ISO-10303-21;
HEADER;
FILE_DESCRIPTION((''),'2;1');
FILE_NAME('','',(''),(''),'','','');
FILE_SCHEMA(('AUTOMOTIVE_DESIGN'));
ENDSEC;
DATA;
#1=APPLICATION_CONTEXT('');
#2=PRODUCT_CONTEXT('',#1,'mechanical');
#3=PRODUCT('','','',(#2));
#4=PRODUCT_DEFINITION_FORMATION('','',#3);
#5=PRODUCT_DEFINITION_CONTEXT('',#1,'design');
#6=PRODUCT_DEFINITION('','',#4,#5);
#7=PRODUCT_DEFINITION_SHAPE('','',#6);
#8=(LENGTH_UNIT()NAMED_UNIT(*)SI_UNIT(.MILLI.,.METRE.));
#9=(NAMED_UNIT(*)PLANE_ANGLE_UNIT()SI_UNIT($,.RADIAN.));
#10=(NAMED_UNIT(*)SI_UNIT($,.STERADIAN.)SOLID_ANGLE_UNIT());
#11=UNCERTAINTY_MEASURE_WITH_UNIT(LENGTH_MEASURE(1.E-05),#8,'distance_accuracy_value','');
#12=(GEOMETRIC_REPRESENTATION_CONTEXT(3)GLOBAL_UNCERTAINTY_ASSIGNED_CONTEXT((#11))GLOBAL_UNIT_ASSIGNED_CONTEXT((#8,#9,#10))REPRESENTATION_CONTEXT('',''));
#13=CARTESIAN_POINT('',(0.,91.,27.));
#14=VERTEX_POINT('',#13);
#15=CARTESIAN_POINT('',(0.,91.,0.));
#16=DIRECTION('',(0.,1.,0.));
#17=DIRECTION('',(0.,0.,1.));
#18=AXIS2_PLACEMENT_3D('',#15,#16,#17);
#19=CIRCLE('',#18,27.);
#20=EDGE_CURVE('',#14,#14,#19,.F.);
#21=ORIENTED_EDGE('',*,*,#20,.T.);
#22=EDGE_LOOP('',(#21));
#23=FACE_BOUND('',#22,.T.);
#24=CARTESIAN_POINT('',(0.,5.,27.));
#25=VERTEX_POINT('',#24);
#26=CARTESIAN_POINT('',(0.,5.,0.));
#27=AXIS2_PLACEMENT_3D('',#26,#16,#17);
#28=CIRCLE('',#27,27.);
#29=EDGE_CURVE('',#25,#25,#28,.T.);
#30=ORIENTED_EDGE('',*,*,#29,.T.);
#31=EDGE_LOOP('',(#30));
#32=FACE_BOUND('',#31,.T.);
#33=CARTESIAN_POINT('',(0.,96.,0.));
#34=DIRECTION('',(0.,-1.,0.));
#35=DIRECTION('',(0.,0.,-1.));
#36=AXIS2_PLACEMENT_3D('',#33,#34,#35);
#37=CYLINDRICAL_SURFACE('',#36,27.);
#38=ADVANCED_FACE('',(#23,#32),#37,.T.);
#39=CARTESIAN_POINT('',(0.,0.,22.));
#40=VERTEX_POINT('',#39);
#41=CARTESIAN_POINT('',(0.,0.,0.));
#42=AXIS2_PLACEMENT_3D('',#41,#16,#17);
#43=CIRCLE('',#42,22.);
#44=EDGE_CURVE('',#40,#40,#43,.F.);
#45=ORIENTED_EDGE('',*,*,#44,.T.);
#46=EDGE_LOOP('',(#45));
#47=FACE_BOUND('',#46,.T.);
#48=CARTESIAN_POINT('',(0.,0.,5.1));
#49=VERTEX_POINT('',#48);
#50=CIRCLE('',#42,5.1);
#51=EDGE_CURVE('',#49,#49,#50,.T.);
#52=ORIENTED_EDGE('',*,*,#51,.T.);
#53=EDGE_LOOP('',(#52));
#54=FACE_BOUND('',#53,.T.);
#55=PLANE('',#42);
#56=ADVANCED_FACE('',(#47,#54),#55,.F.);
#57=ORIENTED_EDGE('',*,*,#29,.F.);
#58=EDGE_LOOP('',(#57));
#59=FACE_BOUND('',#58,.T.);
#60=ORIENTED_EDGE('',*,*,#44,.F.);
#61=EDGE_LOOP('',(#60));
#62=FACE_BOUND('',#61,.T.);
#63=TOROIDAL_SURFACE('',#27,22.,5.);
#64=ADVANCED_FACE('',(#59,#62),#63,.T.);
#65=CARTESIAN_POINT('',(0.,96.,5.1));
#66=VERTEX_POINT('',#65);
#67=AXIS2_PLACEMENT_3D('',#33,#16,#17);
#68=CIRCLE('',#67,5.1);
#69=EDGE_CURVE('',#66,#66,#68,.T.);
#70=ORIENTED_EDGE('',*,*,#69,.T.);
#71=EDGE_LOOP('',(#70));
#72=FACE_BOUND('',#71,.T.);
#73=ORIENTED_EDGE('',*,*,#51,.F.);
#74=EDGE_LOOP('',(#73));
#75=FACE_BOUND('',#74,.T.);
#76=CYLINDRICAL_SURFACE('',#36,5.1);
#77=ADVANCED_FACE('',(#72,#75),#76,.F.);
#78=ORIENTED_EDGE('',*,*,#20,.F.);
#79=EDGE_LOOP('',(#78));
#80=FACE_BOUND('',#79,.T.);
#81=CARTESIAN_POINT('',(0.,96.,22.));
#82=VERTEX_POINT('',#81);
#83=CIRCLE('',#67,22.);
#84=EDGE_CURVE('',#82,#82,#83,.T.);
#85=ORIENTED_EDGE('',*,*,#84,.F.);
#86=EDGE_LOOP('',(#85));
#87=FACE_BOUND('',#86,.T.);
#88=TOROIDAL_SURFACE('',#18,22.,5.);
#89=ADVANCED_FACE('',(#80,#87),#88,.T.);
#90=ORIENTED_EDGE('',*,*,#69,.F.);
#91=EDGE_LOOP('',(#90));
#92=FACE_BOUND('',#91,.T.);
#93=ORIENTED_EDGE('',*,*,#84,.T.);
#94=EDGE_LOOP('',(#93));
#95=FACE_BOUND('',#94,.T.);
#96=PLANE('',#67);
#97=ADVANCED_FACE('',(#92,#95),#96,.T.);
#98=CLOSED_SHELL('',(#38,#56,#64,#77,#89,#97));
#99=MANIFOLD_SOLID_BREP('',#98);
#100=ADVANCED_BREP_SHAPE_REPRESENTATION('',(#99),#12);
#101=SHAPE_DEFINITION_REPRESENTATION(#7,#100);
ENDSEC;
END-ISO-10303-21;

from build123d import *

# Parameters (mm, degrees)
CROQUIS1_R              = 27
CROQUIS1_R_2            = 5.1
SALIENTE_EXTRUIR1_DEPTH = 96
REDONDEO1_R             = 5


with BuildPart() as part:
    # Croquis1 → Saliente-Extruir1 (new body)
    with BuildSketch(Plane(origin=(0, 0, 0), x_dir=(1, 0, 0), z_dir=(0, 1, 0))):
        with Locations(Location((0, 0, 0), (0, 0, 270))):
            Circle(CROQUIS1_R)
        with Locations(Location((0, 0, 0), (0, 0, 270))):
            Circle(CROQUIS1_R_2, mode=Mode.SUBTRACT)
    extrude(amount=SALIENTE_EXTRUIR1_DEPTH)

    # Redondeo1
    redondeo1_edges = [part.edges().sort_by_distance(p)[0] for p in [
        (0, 0, -27),
        (0, 96, -27),
    ]]
    fillet(redondeo1_edges, radius=REDONDEO1_R)


solid = part.part
